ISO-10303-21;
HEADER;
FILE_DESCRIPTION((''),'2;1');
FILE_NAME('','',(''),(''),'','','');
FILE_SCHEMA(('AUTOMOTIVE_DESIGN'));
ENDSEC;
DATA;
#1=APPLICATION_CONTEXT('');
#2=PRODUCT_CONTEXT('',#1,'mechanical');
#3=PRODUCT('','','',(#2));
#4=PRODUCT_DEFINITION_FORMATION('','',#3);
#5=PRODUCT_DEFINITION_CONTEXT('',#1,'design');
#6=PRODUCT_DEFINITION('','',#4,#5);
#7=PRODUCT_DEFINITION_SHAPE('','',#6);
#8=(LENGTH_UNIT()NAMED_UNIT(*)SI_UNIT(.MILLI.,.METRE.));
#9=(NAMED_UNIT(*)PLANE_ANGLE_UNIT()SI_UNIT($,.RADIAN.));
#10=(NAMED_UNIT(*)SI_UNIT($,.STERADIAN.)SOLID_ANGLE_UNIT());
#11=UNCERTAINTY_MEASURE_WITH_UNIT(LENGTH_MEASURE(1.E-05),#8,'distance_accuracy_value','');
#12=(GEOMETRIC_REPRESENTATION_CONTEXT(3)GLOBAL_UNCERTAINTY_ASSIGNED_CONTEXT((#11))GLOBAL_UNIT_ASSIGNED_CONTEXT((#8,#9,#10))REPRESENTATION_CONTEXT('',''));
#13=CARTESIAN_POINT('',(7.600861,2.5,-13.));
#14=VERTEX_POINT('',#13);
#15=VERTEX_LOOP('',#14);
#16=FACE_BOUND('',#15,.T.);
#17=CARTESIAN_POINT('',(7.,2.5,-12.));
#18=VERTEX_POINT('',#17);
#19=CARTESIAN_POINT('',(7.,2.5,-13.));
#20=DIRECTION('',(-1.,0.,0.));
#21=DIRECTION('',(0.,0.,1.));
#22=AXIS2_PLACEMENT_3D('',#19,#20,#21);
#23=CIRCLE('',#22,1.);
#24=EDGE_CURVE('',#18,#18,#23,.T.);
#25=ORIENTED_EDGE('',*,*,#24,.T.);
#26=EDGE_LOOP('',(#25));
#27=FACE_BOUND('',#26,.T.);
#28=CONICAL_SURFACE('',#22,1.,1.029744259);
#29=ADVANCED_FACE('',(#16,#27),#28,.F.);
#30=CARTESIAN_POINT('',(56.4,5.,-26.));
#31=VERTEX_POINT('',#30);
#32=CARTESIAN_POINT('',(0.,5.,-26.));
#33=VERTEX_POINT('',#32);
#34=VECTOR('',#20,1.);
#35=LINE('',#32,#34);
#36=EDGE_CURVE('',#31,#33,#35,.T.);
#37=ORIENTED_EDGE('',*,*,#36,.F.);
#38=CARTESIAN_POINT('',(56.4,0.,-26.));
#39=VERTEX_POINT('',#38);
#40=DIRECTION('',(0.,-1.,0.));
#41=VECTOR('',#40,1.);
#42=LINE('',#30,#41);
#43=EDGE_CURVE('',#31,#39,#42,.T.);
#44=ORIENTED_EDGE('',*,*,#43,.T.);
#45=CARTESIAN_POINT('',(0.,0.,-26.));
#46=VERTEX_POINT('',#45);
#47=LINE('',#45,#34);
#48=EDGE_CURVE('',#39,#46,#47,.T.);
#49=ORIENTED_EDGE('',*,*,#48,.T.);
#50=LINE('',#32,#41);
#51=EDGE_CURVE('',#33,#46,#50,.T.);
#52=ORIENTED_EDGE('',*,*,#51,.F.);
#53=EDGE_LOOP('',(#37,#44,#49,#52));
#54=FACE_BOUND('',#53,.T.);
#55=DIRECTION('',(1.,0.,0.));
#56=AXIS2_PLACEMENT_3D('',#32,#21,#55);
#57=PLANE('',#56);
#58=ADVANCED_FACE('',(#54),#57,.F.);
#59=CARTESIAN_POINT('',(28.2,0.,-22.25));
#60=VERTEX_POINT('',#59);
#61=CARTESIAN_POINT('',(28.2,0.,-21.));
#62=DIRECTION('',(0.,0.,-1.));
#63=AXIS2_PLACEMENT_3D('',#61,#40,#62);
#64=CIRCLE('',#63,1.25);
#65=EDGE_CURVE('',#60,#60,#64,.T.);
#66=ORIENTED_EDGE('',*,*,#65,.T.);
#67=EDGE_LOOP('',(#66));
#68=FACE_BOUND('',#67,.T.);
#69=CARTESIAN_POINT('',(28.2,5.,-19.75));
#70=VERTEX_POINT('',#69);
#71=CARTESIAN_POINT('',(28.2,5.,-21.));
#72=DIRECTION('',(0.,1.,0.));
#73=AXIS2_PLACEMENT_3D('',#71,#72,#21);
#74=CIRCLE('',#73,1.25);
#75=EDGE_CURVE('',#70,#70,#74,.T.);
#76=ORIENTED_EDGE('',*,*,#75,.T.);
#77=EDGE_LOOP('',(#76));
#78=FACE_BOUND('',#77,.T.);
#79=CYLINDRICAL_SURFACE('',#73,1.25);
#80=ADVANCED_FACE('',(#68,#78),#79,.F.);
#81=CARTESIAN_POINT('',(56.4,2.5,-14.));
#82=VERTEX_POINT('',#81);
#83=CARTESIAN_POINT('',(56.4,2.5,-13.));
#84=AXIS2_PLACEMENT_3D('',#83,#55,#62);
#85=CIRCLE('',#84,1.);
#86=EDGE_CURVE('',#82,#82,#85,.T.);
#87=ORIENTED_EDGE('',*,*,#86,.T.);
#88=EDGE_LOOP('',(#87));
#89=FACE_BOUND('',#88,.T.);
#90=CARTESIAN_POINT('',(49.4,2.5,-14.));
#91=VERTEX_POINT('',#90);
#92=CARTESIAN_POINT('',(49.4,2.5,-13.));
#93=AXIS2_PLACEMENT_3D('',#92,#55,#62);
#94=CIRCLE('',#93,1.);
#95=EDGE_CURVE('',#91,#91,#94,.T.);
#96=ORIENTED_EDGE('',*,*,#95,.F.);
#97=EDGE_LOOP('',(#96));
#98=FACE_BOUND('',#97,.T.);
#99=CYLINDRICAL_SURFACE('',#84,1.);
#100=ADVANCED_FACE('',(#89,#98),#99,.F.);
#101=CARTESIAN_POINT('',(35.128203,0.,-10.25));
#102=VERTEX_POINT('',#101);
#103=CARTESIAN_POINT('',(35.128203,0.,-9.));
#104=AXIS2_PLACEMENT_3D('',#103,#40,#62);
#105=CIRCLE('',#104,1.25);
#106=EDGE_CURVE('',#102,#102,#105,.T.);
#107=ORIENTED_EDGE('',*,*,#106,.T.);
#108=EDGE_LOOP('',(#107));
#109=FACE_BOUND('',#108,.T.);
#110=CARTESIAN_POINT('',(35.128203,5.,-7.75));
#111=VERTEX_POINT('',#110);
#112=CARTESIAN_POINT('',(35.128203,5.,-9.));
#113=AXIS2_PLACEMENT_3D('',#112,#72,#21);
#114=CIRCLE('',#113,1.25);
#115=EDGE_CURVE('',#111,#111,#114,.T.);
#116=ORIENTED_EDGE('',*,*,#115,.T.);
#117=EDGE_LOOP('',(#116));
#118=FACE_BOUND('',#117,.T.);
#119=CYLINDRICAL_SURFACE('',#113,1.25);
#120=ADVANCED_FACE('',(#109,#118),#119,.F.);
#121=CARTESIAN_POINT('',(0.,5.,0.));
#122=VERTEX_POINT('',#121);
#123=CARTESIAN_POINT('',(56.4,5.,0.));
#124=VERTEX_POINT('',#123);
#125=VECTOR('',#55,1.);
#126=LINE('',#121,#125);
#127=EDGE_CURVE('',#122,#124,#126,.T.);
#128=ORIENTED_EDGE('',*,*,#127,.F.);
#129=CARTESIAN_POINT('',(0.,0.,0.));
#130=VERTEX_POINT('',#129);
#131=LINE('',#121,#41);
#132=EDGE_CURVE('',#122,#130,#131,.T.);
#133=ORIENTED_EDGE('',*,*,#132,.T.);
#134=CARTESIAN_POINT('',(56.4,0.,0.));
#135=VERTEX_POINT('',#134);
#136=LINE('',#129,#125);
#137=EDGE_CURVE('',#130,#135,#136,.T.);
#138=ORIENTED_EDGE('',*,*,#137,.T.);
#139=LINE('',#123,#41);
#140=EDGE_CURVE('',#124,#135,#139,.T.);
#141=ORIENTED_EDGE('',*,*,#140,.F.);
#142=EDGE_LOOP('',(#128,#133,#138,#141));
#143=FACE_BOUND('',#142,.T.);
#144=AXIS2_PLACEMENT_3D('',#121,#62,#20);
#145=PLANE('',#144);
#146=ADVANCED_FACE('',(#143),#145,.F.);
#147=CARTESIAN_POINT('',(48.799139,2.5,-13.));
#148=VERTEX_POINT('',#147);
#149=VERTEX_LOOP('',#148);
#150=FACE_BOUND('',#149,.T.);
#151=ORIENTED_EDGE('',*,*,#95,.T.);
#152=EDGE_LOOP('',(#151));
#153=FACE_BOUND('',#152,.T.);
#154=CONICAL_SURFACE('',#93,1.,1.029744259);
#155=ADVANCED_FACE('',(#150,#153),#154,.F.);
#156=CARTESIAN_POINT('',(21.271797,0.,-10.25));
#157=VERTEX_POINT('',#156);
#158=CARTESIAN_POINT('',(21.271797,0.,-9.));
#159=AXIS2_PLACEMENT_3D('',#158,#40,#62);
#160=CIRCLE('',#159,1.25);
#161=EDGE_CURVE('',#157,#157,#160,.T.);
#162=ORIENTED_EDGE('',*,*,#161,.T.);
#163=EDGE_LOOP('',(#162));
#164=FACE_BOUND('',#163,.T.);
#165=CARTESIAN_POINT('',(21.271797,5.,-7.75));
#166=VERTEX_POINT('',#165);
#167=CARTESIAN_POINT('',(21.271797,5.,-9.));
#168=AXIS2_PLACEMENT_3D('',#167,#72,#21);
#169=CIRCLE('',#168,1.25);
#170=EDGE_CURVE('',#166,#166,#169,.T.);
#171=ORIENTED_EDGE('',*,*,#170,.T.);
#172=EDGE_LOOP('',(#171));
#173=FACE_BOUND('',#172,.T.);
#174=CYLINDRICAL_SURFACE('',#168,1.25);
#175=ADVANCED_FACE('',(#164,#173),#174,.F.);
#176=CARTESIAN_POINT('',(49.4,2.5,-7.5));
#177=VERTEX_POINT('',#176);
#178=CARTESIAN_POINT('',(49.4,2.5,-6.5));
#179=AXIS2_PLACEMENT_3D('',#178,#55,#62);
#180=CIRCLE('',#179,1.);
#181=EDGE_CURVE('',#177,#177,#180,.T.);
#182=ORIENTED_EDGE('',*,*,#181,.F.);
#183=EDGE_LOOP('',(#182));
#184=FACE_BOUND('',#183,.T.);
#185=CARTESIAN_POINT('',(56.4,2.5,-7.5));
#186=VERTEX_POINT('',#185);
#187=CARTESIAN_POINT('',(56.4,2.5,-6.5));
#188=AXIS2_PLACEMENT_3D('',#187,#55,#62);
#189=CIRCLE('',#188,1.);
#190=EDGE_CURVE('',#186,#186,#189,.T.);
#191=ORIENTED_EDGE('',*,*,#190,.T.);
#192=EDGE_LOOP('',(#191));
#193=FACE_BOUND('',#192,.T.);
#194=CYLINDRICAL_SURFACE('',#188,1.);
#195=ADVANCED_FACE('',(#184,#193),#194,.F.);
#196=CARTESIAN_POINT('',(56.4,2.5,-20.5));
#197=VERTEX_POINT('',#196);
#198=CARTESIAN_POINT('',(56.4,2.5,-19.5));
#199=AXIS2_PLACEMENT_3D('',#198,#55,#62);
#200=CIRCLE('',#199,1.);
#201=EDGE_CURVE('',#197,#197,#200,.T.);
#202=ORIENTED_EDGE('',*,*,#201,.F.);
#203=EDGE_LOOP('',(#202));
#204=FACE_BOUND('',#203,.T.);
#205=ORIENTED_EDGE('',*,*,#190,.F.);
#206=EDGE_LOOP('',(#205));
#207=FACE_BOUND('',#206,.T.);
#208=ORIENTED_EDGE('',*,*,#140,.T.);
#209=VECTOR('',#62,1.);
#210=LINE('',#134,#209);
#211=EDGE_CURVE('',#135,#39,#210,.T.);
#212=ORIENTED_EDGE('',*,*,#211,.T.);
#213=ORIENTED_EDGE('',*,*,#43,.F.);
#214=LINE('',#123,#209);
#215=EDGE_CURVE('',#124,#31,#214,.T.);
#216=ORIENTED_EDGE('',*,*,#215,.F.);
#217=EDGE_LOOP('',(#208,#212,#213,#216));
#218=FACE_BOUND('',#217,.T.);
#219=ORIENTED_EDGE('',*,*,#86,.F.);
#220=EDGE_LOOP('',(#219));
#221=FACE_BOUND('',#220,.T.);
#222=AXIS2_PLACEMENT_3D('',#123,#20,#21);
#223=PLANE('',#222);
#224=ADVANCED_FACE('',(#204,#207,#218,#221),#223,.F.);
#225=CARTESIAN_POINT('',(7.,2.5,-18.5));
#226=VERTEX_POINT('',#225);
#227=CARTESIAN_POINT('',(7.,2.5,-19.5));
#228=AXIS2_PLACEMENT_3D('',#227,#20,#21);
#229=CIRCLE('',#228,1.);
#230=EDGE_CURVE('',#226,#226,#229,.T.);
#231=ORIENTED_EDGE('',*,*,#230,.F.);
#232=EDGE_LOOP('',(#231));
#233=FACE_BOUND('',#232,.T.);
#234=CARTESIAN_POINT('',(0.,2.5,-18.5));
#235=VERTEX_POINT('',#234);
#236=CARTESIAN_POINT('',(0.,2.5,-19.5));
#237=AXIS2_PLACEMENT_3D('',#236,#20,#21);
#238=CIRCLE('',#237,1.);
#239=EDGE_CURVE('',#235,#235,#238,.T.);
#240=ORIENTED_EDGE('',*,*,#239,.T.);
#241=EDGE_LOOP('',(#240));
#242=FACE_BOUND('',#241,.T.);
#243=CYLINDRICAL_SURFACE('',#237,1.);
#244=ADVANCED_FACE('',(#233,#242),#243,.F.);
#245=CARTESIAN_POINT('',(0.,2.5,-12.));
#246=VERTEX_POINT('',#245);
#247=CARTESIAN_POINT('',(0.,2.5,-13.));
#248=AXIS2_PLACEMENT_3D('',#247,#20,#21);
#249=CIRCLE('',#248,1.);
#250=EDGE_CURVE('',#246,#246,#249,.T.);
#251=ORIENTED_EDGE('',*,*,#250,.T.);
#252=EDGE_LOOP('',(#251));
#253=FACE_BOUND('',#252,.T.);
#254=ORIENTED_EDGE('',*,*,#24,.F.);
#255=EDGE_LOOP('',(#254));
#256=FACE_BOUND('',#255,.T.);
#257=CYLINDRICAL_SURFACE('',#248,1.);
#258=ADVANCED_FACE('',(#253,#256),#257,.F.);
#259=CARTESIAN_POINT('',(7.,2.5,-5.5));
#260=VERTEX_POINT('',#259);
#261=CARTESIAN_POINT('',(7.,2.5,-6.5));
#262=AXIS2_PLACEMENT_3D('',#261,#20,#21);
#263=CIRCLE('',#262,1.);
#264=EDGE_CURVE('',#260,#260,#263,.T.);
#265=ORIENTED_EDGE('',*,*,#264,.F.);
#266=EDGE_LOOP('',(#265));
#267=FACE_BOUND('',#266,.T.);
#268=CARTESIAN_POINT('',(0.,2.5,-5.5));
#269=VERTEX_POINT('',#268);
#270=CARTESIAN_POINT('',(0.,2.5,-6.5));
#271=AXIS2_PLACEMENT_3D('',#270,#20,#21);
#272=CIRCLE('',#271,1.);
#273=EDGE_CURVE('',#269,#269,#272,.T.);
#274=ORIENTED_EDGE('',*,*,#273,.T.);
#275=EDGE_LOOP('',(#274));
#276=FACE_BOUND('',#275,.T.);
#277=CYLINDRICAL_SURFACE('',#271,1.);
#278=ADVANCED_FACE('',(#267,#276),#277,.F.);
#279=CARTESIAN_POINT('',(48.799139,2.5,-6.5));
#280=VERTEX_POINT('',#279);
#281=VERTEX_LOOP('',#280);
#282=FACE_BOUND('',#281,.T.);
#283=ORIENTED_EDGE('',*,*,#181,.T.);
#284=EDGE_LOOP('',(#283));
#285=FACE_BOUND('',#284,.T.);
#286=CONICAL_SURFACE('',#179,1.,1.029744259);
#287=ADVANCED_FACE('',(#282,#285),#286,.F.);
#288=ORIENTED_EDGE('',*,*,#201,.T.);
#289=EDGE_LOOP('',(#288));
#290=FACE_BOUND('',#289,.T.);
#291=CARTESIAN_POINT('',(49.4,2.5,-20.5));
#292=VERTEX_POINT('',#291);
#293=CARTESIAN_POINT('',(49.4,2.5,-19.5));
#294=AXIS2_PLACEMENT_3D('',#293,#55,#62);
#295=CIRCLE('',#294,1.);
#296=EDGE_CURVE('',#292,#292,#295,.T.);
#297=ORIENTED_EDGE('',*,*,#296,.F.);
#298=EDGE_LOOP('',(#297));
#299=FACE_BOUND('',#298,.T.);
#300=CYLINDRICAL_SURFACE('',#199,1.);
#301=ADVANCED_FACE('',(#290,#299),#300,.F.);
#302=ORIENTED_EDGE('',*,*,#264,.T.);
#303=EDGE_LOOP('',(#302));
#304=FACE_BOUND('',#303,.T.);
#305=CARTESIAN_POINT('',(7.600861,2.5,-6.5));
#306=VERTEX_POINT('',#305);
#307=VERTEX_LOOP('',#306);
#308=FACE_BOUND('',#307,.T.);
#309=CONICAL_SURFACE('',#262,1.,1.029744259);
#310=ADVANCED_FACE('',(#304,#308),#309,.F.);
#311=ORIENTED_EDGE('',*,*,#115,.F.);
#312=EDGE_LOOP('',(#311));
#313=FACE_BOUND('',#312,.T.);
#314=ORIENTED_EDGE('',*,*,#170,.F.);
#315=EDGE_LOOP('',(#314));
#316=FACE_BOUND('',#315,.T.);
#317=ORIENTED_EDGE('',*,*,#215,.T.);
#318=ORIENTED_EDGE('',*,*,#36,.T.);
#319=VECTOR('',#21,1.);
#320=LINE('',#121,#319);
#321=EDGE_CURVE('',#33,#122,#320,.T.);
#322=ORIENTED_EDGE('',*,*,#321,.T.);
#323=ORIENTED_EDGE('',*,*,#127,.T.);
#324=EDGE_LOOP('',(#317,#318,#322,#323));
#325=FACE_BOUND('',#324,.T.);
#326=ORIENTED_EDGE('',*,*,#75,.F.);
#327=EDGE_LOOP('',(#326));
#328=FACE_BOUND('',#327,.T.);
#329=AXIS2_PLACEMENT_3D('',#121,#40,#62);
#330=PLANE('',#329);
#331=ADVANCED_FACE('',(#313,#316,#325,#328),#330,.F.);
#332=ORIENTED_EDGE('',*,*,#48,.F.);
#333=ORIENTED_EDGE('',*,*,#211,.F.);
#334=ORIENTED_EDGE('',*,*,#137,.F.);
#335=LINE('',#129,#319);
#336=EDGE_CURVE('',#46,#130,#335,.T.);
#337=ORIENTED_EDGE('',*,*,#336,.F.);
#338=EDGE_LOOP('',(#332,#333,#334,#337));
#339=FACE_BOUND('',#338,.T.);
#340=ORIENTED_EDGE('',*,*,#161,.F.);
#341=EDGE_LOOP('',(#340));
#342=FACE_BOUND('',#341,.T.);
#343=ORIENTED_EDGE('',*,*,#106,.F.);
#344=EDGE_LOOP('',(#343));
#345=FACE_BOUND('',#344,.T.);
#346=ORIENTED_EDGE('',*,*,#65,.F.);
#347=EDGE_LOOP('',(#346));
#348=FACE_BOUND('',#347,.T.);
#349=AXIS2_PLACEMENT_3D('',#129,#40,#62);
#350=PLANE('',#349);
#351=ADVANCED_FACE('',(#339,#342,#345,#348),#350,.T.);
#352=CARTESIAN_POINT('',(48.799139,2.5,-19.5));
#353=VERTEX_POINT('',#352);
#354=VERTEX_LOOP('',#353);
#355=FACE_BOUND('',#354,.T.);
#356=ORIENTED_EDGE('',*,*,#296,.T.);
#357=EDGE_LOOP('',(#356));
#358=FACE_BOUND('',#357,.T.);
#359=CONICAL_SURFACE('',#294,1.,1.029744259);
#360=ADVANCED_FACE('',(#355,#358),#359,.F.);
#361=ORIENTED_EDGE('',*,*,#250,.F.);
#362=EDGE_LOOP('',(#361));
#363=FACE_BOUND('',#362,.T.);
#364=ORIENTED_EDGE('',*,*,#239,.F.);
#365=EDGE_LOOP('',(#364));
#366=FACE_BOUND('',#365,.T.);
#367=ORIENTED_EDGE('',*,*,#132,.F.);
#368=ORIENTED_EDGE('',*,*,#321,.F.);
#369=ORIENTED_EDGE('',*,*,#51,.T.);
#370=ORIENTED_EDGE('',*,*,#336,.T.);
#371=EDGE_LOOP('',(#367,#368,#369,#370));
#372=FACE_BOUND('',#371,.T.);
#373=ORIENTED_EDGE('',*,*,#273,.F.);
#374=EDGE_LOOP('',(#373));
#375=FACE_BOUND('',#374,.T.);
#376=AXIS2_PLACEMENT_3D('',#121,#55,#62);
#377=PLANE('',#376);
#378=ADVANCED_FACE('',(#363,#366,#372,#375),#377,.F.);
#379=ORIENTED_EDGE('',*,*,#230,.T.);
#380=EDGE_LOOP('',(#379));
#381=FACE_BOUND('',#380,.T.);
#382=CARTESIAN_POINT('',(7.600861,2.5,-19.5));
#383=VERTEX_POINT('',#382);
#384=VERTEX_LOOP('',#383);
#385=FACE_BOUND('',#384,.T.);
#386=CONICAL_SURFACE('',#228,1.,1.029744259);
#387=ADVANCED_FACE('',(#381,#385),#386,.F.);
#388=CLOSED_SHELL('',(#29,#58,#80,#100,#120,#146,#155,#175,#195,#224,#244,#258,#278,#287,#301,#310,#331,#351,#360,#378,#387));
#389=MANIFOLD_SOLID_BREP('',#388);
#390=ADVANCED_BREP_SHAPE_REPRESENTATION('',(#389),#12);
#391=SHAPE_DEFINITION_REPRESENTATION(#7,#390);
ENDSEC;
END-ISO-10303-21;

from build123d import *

# Parameters (mm, degrees)
SKETCH1_W                 = 56.4
SKETCH1_H                 = 26
BOSS_EXTRUDE1_DEPTH       = 5
F_2_0MM_DOWEL_HOLE1_D     = 2
F_2_0MM_DOWEL_HOLE1_DEPTH = 7
F_2_0MM_DOWEL_HOLE1_TIP   = 0.600860619
F_2_0MM_DOWEL_HOLE2_D     = 2
F_2_0MM_DOWEL_HOLE2_DEPTH = 7
F_2_0MM_DOWEL_HOLE2_TIP   = 0.600860619
F_2_5MM_DOWEL_HOLE1_D     = 2.5
F_2_5MM_DOWEL_HOLE1_DEPTH = 8
F_2_5MM_DOWEL_HOLE1_TIP   = 0.751075774


with BuildPart() as part:
    # Sketch1 → Boss-Extrude1 (new body)
    with BuildSketch(Plane(origin=(0, 0, 0), x_dir=(1, 0, 0), z_dir=(0, 1, 0))):
        with Locations((28.2, 13)):
            Rectangle(SKETCH1_W, SKETCH1_H)
    extrude(amount=BOSS_EXTRUDE1_DEPTH)

    # Ø2.0mm Dowel Hole1
    with Locations(Plane(origin=(56.4, 0, 0), x_dir=(0, 0, -1), z_dir=(1, 0, 0))):
        with Locations((6.5, 2.5), (13, 2.5), (19.5, 2.5)):
            Hole(F_2_0MM_DOWEL_HOLE1_D / 2, depth=F_2_0MM_DOWEL_HOLE1_DEPTH)
            with Locations((0, 0, -(F_2_0MM_DOWEL_HOLE1_DEPTH + F_2_0MM_DOWEL_HOLE1_TIP / 2))):  # 118° drill point
                Cone(0, F_2_0MM_DOWEL_HOLE1_D / 2, F_2_0MM_DOWEL_HOLE1_TIP, mode=Mode.SUBTRACT)

    # Ø2.0mm Dowel Hole2
    with Locations(Plane.ZY):
        with Locations((-19.5, 2.5), (-13, 2.5), (-6.5, 2.5)):
            Hole(F_2_0MM_DOWEL_HOLE2_D / 2, depth=F_2_0MM_DOWEL_HOLE2_DEPTH)
            with Locations((0, 0, -(F_2_0MM_DOWEL_HOLE2_DEPTH + F_2_0MM_DOWEL_HOLE2_TIP / 2))):  # 118° drill point
                Cone(0, F_2_0MM_DOWEL_HOLE2_D / 2, F_2_0MM_DOWEL_HOLE2_TIP, mode=Mode.SUBTRACT)

    # Ø2.5mm Dowel Hole1
    with Locations(Plane(origin=(21.27179677, 5, -9), x_dir=(0, 0, 1), z_dir=(0, 1, 0))):
        with Locations((0, 0), (-12, 6.92820323), (0, 13.85640646)):
            Hole(F_2_5MM_DOWEL_HOLE1_D / 2, depth=F_2_5MM_DOWEL_HOLE1_DEPTH)
            with Locations((0, 0, -(F_2_5MM_DOWEL_HOLE1_DEPTH + F_2_5MM_DOWEL_HOLE1_TIP / 2))):  # 118° drill point
                Cone(0, F_2_5MM_DOWEL_HOLE1_D / 2, F_2_5MM_DOWEL_HOLE1_TIP, mode=Mode.SUBTRACT)


solid = part.part
